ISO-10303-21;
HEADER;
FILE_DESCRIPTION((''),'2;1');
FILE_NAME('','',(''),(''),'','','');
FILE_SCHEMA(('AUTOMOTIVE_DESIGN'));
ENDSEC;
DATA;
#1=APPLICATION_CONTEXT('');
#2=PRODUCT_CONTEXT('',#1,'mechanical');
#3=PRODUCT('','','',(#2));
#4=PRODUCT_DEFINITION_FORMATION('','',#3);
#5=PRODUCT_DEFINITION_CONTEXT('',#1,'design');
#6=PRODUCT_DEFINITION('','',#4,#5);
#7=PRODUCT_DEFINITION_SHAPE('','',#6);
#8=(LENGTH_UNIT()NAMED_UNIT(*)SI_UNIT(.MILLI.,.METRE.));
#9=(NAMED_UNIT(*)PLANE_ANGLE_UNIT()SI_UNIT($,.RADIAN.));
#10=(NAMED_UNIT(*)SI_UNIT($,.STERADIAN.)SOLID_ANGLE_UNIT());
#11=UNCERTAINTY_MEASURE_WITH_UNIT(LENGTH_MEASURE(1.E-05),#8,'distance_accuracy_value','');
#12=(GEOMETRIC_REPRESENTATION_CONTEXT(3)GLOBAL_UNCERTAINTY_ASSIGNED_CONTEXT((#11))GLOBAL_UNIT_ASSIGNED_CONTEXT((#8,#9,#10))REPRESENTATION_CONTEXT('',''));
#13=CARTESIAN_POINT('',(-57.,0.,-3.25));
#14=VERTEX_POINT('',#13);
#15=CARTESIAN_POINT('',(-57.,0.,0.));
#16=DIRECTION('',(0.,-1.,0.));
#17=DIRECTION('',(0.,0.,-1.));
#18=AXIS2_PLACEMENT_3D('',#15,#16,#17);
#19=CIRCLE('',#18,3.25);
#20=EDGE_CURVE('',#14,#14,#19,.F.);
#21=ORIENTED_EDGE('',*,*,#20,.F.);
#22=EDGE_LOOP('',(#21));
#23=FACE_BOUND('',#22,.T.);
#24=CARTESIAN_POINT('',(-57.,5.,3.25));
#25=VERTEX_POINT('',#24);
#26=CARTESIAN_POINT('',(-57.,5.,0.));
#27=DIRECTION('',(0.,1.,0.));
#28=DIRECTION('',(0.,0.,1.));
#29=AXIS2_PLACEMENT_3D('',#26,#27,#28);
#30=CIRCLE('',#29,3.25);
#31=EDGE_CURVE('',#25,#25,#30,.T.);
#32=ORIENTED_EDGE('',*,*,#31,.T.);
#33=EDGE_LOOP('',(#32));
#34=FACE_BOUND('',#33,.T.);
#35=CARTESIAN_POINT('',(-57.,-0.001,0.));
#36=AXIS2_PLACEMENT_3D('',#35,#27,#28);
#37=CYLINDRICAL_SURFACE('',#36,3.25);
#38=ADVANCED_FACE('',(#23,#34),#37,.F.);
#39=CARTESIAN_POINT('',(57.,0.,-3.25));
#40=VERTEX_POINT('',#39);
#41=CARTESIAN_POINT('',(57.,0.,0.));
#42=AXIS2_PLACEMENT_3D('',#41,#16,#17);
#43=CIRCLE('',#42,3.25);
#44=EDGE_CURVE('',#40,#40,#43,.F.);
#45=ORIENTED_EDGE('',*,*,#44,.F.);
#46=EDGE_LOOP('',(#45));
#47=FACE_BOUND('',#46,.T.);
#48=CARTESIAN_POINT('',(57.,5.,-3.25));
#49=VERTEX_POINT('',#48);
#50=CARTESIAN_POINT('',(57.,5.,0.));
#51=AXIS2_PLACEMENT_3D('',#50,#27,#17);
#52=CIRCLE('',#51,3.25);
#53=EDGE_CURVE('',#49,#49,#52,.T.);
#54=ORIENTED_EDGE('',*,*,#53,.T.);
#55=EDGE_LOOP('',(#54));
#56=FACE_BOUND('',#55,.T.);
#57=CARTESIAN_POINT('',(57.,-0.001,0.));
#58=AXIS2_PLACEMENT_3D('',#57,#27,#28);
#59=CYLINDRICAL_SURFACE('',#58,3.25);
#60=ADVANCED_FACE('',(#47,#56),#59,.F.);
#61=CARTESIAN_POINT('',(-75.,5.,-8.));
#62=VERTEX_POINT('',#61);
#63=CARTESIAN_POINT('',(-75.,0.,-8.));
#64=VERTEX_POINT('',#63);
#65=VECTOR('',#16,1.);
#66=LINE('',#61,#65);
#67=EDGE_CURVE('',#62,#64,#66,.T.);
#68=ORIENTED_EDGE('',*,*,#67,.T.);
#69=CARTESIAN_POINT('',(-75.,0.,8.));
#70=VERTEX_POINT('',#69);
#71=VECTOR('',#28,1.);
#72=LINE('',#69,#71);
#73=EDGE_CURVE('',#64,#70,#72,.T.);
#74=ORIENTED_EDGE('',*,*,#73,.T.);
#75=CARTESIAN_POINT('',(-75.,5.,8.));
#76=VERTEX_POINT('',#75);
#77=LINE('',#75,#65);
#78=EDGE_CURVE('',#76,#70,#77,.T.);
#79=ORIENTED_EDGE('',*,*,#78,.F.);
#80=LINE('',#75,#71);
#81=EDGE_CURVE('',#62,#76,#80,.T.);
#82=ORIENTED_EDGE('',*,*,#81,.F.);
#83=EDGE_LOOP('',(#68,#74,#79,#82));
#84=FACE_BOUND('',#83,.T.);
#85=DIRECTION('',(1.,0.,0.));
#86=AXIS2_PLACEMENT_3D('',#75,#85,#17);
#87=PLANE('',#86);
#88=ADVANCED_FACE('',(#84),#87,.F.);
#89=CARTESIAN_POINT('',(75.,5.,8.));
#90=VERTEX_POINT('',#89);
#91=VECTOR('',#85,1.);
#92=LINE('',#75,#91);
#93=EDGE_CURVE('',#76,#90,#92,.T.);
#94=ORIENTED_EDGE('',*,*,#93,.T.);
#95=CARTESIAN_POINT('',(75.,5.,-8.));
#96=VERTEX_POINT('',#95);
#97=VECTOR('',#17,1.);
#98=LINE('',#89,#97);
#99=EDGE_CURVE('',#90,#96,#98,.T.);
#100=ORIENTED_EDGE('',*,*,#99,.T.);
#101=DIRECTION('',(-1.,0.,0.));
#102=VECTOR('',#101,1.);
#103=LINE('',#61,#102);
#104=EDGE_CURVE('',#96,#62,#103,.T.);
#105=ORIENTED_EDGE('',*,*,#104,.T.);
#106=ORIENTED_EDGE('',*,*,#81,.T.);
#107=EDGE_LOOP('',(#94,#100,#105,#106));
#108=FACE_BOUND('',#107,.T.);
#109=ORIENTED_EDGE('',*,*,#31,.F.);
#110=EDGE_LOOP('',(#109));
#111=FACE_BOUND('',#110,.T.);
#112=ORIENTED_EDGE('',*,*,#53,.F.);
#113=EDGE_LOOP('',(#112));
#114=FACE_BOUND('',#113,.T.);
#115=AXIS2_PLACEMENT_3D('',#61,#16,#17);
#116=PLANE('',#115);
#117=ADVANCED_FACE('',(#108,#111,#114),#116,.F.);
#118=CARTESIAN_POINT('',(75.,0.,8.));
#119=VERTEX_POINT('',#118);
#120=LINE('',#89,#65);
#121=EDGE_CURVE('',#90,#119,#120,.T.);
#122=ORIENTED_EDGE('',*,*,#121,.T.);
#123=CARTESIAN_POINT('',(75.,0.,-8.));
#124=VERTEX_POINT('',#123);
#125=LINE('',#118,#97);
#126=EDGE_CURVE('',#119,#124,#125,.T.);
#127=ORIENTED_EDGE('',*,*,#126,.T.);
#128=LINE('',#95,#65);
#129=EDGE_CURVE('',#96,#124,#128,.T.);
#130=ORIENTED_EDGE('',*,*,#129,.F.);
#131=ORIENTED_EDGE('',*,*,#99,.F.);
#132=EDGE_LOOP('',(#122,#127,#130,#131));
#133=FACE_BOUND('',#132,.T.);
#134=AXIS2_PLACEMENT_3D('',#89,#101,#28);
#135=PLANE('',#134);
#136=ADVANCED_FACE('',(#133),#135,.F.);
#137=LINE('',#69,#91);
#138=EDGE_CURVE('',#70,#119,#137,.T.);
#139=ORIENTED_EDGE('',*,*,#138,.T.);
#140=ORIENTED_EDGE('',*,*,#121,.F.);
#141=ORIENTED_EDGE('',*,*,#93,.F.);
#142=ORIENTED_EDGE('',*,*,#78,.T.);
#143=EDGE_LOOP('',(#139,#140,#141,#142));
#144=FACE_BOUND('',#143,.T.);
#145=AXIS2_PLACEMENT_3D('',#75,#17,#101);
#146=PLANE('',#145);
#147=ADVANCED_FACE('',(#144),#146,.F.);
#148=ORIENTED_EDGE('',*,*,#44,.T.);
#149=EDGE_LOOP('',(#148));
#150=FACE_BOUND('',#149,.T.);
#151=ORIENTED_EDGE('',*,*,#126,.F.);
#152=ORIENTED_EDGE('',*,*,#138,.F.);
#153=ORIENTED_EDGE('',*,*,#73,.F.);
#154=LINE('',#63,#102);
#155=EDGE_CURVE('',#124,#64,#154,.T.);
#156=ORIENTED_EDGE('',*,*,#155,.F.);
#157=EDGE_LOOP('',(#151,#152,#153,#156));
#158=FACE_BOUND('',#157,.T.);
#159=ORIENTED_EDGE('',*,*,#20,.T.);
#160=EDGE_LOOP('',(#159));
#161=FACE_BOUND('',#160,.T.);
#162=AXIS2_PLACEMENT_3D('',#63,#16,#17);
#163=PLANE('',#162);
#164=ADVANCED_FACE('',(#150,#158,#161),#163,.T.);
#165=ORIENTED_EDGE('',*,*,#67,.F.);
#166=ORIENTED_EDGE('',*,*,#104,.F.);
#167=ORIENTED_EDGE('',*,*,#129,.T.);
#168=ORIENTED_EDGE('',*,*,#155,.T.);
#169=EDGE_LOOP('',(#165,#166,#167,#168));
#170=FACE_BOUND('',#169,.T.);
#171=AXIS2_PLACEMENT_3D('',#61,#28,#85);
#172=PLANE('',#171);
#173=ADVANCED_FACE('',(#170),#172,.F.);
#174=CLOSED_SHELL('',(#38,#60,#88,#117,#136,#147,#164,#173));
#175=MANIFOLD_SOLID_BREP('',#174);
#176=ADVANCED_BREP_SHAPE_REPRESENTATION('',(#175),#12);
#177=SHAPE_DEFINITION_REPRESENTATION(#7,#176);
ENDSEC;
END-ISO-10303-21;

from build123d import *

# Parameters (mm, degrees)
SKETCH1_W           = 150
SKETCH1_H           = 16
BOSS_EXTRUDE1_DEPTH = 5
CUT_EXTRUDE1_REACH  = 77.591
SKETCH2_R           = 3.25


with BuildPart() as part:
    # Sketch1 → Boss-Extrude1 (new body)
    with BuildSketch(Plane(origin=(0, 0, 0), x_dir=(1, 0, 0), z_dir=(0, 1, 0))):
        Rectangle(SKETCH1_W, SKETCH1_H)
    extrude(amount=BOSS_EXTRUDE1_DEPTH)

    # Sketch2 → Cut-Extrude1 (cut, up to next)
    with BuildSketch(Plane(origin=(0, 5, 0), x_dir=(1, 0, 0), z_dir=(0, 1, 0)), mode=Mode.PRIVATE) as cut_extrude1_sk1:
        with Locations(Location((-57, 0, 0), (0, 0, 270))):
            Circle(SKETCH2_R)
    cut_extrude1_tool1 = extrude(cut_extrude1_sk1.sketch, amount=-CUT_EXTRUDE1_REACH, mode=Mode.PRIVATE) & part.part
    # Sketch2 → Cut-Extrude1 (cut, up to next)
    with BuildSketch(Plane(origin=(0, 5, 0), x_dir=(1, 0, 0), z_dir=(0, 1, 0)), mode=Mode.PRIVATE) as cut_extrude1_sk2:
        with Locations(Location((57, 0, 0), (0, 0, 90))):
            Circle(SKETCH2_R)
    cut_extrude1_tool2 = extrude(cut_extrude1_sk2.sketch, amount=-CUT_EXTRUDE1_REACH, mode=Mode.PRIVATE) & part.part
    add(cut_extrude1_tool1.solids().sort_by_distance((-57, 5, 0))[0], mode=Mode.SUBTRACT)
    add(cut_extrude1_tool2.solids().sort_by_distance((57, 5, 0))[0], mode=Mode.SUBTRACT)


solid = part.part
